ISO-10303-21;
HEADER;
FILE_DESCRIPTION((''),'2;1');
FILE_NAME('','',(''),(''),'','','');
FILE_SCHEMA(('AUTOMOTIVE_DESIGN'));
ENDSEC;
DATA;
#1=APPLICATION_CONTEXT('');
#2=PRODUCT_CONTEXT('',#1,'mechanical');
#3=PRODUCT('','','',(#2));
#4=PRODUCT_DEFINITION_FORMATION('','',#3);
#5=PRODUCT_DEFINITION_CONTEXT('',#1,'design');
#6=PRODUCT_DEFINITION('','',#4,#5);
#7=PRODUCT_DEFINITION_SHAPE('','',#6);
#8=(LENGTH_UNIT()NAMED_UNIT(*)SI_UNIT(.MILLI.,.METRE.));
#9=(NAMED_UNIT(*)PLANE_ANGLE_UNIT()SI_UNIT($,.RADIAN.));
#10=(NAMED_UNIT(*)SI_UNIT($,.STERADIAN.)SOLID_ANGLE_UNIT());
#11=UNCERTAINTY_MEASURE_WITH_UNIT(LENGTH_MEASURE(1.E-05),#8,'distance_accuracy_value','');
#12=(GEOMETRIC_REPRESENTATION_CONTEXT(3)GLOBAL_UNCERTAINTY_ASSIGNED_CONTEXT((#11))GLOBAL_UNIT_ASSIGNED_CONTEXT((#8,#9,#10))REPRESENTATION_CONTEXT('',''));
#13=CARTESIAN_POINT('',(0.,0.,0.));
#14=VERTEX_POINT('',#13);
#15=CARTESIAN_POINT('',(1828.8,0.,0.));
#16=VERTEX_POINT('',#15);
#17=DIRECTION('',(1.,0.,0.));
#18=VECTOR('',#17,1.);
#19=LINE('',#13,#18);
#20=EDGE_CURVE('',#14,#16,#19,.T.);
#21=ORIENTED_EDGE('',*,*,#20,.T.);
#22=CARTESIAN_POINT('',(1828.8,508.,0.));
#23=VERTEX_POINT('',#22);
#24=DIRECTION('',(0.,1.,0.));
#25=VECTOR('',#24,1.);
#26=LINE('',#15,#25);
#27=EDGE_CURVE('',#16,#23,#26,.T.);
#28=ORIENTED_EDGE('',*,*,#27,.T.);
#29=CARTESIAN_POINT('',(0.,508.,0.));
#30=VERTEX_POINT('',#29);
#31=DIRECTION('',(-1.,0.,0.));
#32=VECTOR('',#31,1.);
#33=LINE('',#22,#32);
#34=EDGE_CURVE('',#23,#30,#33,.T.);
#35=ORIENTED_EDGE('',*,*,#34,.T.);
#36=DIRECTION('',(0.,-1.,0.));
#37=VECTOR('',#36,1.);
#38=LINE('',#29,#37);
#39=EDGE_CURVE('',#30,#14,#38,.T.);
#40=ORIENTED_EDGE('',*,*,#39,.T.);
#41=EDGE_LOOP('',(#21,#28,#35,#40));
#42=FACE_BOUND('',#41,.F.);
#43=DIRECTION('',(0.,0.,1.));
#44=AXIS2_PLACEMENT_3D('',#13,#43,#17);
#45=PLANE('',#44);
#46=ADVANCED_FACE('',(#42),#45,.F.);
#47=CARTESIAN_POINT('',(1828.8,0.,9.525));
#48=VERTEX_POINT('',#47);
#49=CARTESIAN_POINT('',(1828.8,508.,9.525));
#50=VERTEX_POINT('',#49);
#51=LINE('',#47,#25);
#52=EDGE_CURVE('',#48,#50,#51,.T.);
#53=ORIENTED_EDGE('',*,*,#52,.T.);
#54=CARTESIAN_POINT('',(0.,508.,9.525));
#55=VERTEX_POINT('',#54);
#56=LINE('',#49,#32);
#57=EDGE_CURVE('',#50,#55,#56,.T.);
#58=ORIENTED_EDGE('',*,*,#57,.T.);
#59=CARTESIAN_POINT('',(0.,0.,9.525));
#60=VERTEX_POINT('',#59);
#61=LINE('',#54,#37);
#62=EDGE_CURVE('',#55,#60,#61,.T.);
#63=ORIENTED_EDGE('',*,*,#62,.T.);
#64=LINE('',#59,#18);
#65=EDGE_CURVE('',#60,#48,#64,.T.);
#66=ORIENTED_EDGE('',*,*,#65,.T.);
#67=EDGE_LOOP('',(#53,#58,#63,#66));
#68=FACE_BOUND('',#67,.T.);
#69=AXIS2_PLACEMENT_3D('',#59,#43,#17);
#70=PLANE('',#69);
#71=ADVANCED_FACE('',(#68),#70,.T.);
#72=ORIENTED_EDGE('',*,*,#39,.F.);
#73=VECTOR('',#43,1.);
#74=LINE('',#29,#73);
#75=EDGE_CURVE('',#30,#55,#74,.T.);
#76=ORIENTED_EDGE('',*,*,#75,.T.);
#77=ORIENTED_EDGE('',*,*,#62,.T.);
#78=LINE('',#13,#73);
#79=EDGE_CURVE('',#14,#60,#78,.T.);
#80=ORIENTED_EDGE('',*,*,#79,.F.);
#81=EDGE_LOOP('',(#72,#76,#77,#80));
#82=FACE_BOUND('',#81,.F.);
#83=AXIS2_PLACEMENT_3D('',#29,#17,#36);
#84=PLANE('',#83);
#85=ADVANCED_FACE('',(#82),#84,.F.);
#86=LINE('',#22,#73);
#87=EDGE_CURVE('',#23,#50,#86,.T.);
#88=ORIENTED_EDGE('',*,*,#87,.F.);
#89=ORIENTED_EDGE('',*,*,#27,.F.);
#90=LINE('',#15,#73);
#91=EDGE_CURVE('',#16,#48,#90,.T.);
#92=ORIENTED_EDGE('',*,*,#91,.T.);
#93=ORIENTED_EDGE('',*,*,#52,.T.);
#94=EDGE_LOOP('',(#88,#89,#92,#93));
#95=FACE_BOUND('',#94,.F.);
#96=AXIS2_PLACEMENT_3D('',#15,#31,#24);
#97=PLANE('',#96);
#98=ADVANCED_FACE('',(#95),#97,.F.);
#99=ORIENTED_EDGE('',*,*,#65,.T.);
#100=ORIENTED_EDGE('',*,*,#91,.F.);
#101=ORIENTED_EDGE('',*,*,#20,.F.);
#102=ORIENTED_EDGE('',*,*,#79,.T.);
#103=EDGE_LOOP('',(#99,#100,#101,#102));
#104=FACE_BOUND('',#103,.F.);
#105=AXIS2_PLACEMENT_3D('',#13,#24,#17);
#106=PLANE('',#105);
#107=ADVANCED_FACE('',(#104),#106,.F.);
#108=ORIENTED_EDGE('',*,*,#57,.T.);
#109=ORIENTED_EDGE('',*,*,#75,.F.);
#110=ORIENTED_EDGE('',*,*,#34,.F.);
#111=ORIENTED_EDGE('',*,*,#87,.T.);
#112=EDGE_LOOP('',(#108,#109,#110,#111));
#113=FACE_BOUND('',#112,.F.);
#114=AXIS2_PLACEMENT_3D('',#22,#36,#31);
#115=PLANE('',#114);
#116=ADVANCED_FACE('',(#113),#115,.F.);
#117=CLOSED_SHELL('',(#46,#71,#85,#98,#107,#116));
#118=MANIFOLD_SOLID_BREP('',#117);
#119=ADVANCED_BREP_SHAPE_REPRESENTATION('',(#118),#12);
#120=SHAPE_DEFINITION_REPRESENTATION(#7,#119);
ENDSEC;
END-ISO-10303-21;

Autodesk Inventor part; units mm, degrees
ref_plane "YZ Plane" through (0, 0, 0) normal (1, 0, 0) x (0, 1, 0)
ref_plane "XZ Plane" through (0, 0, 0) normal (0, 1, 0) x (-1, 0, 0)
ref_plane "XY Plane" through (0, 0, 0) normal (0, 0, 1) x (1, 0, 0)
sketch "Sketch1" plane through (0, 0, 0) normal (0, 0, 1) x (1, 0, 0)
  line L0 (0, 0) -> (1828.8, 0)
  line L1 (1828.8, 0) -> (1828.8, 508)
  line L2 (1828.8, 508) -> (0, 508)
  line L3 (0, 508) -> (0, 0)
  dimension "d0" = 1828.8
  dimension "d1" = 508
extrude "Extrusion1" add sketch "Sketch1" along normal blind 9.525
ref_plane "Work Plane2" through (0, 254, 0) normal (0, 1, 0) x (1, 0, 0)
properties part number "plywood platform" material "Wood (Birch)"
